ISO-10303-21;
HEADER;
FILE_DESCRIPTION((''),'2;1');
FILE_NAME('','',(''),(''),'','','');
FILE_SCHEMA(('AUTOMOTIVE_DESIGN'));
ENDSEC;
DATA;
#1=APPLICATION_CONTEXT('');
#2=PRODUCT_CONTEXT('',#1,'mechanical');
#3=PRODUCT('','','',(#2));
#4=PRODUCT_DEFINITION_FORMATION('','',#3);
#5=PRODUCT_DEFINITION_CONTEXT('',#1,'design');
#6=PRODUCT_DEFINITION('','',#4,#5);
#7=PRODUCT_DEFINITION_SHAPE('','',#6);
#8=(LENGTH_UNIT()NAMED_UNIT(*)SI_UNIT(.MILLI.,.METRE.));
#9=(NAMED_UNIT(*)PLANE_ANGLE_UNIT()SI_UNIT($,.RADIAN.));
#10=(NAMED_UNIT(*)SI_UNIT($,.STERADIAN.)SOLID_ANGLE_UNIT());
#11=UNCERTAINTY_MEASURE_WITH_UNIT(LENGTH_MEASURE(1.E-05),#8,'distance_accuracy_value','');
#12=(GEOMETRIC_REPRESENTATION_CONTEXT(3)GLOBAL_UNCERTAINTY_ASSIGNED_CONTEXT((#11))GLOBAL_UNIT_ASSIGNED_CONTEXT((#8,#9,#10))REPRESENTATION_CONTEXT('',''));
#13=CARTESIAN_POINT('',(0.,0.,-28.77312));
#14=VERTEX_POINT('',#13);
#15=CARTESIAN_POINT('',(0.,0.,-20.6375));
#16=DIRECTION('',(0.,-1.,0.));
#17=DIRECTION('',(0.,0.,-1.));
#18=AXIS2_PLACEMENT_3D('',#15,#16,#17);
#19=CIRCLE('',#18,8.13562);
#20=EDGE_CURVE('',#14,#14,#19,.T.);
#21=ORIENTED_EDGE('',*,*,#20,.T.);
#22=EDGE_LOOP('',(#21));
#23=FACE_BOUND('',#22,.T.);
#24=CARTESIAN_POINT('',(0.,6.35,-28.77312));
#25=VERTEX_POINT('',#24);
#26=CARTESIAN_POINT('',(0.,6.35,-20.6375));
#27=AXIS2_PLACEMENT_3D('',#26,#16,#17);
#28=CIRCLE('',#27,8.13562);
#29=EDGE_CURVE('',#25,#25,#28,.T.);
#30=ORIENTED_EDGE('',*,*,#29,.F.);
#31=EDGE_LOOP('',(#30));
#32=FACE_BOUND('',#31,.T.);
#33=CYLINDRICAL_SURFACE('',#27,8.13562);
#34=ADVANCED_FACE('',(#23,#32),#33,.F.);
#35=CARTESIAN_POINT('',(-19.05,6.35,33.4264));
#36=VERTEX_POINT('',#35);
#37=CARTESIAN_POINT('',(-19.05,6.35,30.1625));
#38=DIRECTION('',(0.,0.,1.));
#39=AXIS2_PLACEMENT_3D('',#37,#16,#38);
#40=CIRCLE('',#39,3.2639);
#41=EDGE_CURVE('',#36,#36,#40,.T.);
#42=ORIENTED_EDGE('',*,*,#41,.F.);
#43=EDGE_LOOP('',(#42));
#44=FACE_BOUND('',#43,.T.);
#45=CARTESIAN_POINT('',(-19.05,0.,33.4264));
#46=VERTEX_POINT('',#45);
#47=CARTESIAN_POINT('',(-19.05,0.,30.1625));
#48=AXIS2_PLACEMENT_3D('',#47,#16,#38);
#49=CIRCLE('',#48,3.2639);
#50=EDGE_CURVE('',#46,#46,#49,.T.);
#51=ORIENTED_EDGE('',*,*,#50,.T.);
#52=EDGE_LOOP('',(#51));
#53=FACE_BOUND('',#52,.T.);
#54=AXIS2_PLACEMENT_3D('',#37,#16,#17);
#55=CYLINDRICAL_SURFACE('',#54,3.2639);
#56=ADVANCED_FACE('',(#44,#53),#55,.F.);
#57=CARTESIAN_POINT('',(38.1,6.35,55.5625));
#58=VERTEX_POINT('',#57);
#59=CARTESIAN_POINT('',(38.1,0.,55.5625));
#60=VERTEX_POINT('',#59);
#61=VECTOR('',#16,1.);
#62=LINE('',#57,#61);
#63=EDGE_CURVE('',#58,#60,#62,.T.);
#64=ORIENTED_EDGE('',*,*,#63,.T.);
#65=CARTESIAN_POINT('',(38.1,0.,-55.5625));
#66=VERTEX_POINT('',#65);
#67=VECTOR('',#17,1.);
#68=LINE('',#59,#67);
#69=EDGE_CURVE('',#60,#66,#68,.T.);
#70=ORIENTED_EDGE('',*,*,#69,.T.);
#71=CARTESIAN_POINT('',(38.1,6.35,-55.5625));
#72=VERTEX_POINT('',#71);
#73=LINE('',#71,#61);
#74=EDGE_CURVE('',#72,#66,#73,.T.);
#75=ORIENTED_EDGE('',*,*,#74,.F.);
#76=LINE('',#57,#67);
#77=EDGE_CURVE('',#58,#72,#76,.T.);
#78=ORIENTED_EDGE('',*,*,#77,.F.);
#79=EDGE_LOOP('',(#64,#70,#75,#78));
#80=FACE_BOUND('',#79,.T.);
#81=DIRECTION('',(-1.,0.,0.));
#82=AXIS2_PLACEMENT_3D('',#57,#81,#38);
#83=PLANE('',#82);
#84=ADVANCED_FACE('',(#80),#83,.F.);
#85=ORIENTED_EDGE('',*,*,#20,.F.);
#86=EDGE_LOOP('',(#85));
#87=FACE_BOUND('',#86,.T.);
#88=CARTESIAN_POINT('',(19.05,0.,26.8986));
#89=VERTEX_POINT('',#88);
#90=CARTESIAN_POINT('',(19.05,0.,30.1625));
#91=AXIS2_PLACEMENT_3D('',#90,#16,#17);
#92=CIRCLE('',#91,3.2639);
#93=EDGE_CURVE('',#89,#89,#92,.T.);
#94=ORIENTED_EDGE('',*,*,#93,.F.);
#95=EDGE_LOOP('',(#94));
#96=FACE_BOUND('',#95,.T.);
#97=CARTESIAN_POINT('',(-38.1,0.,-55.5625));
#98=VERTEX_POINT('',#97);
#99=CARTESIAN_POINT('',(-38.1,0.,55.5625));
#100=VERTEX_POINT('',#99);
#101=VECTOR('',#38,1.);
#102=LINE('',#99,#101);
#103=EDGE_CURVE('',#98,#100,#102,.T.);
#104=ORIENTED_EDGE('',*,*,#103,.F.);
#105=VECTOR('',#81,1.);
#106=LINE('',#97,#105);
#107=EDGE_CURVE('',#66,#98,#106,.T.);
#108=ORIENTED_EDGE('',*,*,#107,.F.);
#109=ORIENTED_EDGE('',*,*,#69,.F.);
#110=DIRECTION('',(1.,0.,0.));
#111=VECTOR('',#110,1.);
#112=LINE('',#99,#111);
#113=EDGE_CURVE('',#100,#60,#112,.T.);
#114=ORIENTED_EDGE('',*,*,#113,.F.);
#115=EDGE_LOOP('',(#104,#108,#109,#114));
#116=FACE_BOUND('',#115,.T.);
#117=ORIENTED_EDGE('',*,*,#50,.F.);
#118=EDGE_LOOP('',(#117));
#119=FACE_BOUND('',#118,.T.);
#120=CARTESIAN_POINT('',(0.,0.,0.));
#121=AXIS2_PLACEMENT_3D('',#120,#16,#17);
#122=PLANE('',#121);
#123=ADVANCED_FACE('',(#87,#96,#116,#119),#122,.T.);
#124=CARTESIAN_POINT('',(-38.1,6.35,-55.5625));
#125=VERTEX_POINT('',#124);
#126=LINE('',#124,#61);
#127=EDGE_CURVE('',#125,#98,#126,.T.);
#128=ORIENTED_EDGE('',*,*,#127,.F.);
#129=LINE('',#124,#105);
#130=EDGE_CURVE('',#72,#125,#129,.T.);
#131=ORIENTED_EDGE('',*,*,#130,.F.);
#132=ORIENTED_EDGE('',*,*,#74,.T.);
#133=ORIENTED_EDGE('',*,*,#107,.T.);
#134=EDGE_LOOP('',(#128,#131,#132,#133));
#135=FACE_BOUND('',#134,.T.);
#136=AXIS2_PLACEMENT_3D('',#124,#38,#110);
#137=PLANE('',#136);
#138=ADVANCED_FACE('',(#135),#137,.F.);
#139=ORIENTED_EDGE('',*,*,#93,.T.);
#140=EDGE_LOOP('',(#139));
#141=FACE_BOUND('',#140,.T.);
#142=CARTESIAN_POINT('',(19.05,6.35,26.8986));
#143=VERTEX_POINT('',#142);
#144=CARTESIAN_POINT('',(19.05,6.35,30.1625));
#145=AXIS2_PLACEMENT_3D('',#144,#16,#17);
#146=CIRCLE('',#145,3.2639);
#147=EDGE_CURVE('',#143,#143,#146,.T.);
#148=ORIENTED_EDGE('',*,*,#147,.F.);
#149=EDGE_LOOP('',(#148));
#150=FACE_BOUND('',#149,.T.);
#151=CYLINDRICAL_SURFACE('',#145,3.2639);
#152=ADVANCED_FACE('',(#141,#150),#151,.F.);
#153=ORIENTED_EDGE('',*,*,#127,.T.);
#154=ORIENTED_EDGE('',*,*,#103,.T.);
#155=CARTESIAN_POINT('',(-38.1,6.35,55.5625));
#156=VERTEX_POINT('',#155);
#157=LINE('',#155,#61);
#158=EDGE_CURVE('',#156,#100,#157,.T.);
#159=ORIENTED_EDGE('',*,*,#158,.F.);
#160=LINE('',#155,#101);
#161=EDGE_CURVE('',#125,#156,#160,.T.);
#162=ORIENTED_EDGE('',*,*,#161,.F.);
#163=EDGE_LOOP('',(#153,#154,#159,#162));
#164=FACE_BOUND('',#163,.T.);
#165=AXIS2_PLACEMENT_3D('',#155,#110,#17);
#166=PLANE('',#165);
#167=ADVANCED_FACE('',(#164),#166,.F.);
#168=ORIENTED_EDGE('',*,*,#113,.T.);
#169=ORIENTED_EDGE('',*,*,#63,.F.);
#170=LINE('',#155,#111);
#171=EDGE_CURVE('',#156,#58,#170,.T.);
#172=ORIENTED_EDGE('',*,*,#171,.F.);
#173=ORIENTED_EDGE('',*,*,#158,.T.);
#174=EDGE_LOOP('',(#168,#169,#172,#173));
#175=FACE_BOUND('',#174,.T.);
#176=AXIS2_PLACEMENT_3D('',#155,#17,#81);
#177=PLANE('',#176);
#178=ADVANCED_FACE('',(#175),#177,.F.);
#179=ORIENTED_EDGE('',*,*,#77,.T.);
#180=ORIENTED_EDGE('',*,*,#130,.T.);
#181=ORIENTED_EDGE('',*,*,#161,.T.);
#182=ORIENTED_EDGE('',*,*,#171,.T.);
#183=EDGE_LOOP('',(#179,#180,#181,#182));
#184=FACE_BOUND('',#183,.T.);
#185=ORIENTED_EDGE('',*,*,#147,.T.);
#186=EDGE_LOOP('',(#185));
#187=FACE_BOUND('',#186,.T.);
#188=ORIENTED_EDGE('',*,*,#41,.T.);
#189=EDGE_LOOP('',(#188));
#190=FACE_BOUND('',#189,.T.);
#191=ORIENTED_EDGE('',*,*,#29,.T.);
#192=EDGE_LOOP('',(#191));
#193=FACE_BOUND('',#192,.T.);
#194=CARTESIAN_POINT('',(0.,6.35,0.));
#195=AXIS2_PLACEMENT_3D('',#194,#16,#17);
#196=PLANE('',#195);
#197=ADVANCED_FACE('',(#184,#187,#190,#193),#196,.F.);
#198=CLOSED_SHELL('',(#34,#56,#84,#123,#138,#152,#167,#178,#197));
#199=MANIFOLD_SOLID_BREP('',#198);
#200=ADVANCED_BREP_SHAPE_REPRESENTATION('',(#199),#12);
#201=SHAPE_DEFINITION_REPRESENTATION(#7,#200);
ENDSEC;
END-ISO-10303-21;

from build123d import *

# Parameters (mm, degrees)
SKETCH1_W           = 76.2
SKETCH1_H           = 111.125
BOSS_EXTRUDE1_DEPTH = 6.35
SKETCH2_R           = 3.2639
SKETCH2_R_2         = 8.13562
CUT_EXTRUDE1_DEPTH  = 7.35


with BuildPart() as part:
    # Sketch1 → Boss-Extrude1 (new body)
    with BuildSketch(Plane(origin=(0, 0, 0), x_dir=(1, 0, 0), z_dir=(0, 1, 0))):
        Rectangle(SKETCH1_W, SKETCH1_H)
    extrude(amount=BOSS_EXTRUDE1_DEPTH)

    # Sketch2 → Cut-Extrude1 (cut, through all)
    with BuildSketch(Plane(origin=(0, 0, 0), x_dir=(-1, 0, 0), z_dir=(0, -1, 0))):
        with Locations((-19.05, -30.1625)):
            Circle(SKETCH2_R)
        with Locations((19.05, -30.1625)):
            Circle(SKETCH2_R)
        with Locations((0, 20.6375)):
            Circle(SKETCH2_R_2)
    extrude(amount=-CUT_EXTRUDE1_DEPTH, mode=Mode.SUBTRACT)


solid = part.part
